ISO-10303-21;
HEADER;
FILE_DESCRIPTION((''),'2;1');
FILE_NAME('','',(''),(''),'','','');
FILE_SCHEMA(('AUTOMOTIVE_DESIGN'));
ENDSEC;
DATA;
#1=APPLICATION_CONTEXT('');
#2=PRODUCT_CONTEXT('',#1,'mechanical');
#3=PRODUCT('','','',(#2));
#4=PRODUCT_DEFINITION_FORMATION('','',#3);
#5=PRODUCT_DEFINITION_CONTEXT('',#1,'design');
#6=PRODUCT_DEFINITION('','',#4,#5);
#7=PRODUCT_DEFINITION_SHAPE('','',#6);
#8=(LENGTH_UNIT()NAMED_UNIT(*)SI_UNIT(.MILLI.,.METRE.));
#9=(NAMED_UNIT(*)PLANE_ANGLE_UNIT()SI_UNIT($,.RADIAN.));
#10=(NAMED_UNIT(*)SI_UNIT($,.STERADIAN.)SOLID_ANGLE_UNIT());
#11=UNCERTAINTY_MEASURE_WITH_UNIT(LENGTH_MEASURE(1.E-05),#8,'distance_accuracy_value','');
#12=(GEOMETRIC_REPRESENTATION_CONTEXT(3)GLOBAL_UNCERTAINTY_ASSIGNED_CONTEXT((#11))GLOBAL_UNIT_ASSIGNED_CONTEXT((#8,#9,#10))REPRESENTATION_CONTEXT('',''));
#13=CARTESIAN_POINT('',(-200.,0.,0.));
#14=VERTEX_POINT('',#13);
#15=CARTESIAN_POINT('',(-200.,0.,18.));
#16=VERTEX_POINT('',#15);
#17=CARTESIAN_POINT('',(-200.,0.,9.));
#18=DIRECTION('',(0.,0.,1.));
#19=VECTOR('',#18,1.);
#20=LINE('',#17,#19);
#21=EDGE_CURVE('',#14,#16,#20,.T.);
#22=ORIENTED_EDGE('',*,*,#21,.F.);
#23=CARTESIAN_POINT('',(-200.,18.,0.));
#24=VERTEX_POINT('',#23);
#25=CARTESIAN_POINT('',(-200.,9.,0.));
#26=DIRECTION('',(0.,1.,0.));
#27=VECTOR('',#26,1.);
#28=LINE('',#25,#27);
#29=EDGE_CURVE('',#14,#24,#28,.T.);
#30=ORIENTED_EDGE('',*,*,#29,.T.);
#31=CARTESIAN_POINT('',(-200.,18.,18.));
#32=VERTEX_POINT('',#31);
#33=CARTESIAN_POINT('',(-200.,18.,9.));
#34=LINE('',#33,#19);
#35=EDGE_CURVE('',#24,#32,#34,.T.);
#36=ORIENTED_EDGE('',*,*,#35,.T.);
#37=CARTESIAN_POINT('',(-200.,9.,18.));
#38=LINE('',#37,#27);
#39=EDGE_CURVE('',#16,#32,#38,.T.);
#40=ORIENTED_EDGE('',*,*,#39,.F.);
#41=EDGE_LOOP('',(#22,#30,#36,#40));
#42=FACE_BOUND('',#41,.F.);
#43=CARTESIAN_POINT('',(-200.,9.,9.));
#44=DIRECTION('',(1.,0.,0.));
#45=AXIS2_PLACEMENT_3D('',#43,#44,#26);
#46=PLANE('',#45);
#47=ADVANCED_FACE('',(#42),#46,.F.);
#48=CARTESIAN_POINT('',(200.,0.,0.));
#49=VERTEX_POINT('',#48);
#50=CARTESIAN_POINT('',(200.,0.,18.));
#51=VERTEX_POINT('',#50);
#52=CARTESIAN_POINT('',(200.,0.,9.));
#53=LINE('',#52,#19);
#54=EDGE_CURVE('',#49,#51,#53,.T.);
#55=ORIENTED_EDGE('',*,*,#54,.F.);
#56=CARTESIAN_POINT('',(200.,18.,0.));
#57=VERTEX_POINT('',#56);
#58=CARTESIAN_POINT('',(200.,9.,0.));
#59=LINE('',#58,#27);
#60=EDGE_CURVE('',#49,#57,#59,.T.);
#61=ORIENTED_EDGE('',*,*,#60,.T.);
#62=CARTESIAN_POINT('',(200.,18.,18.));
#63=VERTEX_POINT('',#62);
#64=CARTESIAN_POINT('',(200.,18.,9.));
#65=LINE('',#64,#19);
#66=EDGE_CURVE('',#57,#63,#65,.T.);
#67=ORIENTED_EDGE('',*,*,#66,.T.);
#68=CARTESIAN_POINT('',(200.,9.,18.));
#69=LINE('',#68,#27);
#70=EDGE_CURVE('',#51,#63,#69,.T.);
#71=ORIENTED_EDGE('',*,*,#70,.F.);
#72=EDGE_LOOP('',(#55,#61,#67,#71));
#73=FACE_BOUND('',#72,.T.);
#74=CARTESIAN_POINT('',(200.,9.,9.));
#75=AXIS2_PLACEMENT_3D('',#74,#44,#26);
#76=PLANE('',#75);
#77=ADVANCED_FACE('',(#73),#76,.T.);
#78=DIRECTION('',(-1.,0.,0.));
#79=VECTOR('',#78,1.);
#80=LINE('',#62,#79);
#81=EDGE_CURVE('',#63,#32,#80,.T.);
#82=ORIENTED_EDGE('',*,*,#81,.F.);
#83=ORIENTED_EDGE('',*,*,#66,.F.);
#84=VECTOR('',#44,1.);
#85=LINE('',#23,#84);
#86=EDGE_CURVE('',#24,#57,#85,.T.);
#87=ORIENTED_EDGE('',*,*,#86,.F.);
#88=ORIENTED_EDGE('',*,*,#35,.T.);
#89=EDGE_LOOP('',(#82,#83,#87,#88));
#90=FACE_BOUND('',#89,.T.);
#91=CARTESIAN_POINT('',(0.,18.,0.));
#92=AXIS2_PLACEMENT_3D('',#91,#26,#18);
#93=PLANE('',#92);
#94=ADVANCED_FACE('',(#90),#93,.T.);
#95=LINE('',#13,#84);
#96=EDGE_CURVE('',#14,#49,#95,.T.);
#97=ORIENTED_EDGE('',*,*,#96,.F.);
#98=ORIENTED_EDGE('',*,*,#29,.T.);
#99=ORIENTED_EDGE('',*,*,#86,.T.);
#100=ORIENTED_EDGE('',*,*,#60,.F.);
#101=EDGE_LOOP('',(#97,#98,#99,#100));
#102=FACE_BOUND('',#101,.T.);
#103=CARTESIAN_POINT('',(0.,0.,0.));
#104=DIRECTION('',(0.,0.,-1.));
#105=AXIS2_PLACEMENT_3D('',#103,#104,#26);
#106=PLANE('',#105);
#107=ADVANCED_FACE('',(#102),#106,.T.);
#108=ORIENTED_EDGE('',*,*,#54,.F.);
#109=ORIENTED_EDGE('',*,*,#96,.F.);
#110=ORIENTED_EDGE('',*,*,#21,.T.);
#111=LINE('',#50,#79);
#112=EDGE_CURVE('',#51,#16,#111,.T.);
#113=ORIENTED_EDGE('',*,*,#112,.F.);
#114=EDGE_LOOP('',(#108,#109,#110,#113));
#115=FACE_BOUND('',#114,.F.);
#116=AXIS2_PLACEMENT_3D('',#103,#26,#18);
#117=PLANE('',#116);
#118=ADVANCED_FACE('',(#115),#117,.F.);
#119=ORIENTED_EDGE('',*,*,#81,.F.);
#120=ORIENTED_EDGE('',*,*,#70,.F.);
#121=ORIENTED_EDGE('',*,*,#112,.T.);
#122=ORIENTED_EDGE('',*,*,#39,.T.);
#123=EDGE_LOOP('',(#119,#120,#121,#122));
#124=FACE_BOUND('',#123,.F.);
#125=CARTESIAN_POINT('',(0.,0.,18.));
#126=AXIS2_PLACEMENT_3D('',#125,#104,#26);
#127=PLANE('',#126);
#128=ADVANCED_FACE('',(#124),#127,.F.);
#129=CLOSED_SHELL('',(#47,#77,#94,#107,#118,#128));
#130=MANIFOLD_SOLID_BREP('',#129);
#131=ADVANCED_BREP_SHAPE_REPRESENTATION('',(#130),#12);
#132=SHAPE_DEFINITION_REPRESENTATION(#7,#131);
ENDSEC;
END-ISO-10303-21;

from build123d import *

# Parameters (mm, degrees)
SKETCH_W  = 18
SKETCH_H  = 18
PAD_DEPTH = 200


with BuildPart() as part:
    # Sketch → Pad (new body, symmetric)
    with BuildSketch(Plane.YZ):
        with Locations((9, 9)):
            Rectangle(SKETCH_W, SKETCH_H)
    extrude(amount=PAD_DEPTH, both=True)


solid = part.part
